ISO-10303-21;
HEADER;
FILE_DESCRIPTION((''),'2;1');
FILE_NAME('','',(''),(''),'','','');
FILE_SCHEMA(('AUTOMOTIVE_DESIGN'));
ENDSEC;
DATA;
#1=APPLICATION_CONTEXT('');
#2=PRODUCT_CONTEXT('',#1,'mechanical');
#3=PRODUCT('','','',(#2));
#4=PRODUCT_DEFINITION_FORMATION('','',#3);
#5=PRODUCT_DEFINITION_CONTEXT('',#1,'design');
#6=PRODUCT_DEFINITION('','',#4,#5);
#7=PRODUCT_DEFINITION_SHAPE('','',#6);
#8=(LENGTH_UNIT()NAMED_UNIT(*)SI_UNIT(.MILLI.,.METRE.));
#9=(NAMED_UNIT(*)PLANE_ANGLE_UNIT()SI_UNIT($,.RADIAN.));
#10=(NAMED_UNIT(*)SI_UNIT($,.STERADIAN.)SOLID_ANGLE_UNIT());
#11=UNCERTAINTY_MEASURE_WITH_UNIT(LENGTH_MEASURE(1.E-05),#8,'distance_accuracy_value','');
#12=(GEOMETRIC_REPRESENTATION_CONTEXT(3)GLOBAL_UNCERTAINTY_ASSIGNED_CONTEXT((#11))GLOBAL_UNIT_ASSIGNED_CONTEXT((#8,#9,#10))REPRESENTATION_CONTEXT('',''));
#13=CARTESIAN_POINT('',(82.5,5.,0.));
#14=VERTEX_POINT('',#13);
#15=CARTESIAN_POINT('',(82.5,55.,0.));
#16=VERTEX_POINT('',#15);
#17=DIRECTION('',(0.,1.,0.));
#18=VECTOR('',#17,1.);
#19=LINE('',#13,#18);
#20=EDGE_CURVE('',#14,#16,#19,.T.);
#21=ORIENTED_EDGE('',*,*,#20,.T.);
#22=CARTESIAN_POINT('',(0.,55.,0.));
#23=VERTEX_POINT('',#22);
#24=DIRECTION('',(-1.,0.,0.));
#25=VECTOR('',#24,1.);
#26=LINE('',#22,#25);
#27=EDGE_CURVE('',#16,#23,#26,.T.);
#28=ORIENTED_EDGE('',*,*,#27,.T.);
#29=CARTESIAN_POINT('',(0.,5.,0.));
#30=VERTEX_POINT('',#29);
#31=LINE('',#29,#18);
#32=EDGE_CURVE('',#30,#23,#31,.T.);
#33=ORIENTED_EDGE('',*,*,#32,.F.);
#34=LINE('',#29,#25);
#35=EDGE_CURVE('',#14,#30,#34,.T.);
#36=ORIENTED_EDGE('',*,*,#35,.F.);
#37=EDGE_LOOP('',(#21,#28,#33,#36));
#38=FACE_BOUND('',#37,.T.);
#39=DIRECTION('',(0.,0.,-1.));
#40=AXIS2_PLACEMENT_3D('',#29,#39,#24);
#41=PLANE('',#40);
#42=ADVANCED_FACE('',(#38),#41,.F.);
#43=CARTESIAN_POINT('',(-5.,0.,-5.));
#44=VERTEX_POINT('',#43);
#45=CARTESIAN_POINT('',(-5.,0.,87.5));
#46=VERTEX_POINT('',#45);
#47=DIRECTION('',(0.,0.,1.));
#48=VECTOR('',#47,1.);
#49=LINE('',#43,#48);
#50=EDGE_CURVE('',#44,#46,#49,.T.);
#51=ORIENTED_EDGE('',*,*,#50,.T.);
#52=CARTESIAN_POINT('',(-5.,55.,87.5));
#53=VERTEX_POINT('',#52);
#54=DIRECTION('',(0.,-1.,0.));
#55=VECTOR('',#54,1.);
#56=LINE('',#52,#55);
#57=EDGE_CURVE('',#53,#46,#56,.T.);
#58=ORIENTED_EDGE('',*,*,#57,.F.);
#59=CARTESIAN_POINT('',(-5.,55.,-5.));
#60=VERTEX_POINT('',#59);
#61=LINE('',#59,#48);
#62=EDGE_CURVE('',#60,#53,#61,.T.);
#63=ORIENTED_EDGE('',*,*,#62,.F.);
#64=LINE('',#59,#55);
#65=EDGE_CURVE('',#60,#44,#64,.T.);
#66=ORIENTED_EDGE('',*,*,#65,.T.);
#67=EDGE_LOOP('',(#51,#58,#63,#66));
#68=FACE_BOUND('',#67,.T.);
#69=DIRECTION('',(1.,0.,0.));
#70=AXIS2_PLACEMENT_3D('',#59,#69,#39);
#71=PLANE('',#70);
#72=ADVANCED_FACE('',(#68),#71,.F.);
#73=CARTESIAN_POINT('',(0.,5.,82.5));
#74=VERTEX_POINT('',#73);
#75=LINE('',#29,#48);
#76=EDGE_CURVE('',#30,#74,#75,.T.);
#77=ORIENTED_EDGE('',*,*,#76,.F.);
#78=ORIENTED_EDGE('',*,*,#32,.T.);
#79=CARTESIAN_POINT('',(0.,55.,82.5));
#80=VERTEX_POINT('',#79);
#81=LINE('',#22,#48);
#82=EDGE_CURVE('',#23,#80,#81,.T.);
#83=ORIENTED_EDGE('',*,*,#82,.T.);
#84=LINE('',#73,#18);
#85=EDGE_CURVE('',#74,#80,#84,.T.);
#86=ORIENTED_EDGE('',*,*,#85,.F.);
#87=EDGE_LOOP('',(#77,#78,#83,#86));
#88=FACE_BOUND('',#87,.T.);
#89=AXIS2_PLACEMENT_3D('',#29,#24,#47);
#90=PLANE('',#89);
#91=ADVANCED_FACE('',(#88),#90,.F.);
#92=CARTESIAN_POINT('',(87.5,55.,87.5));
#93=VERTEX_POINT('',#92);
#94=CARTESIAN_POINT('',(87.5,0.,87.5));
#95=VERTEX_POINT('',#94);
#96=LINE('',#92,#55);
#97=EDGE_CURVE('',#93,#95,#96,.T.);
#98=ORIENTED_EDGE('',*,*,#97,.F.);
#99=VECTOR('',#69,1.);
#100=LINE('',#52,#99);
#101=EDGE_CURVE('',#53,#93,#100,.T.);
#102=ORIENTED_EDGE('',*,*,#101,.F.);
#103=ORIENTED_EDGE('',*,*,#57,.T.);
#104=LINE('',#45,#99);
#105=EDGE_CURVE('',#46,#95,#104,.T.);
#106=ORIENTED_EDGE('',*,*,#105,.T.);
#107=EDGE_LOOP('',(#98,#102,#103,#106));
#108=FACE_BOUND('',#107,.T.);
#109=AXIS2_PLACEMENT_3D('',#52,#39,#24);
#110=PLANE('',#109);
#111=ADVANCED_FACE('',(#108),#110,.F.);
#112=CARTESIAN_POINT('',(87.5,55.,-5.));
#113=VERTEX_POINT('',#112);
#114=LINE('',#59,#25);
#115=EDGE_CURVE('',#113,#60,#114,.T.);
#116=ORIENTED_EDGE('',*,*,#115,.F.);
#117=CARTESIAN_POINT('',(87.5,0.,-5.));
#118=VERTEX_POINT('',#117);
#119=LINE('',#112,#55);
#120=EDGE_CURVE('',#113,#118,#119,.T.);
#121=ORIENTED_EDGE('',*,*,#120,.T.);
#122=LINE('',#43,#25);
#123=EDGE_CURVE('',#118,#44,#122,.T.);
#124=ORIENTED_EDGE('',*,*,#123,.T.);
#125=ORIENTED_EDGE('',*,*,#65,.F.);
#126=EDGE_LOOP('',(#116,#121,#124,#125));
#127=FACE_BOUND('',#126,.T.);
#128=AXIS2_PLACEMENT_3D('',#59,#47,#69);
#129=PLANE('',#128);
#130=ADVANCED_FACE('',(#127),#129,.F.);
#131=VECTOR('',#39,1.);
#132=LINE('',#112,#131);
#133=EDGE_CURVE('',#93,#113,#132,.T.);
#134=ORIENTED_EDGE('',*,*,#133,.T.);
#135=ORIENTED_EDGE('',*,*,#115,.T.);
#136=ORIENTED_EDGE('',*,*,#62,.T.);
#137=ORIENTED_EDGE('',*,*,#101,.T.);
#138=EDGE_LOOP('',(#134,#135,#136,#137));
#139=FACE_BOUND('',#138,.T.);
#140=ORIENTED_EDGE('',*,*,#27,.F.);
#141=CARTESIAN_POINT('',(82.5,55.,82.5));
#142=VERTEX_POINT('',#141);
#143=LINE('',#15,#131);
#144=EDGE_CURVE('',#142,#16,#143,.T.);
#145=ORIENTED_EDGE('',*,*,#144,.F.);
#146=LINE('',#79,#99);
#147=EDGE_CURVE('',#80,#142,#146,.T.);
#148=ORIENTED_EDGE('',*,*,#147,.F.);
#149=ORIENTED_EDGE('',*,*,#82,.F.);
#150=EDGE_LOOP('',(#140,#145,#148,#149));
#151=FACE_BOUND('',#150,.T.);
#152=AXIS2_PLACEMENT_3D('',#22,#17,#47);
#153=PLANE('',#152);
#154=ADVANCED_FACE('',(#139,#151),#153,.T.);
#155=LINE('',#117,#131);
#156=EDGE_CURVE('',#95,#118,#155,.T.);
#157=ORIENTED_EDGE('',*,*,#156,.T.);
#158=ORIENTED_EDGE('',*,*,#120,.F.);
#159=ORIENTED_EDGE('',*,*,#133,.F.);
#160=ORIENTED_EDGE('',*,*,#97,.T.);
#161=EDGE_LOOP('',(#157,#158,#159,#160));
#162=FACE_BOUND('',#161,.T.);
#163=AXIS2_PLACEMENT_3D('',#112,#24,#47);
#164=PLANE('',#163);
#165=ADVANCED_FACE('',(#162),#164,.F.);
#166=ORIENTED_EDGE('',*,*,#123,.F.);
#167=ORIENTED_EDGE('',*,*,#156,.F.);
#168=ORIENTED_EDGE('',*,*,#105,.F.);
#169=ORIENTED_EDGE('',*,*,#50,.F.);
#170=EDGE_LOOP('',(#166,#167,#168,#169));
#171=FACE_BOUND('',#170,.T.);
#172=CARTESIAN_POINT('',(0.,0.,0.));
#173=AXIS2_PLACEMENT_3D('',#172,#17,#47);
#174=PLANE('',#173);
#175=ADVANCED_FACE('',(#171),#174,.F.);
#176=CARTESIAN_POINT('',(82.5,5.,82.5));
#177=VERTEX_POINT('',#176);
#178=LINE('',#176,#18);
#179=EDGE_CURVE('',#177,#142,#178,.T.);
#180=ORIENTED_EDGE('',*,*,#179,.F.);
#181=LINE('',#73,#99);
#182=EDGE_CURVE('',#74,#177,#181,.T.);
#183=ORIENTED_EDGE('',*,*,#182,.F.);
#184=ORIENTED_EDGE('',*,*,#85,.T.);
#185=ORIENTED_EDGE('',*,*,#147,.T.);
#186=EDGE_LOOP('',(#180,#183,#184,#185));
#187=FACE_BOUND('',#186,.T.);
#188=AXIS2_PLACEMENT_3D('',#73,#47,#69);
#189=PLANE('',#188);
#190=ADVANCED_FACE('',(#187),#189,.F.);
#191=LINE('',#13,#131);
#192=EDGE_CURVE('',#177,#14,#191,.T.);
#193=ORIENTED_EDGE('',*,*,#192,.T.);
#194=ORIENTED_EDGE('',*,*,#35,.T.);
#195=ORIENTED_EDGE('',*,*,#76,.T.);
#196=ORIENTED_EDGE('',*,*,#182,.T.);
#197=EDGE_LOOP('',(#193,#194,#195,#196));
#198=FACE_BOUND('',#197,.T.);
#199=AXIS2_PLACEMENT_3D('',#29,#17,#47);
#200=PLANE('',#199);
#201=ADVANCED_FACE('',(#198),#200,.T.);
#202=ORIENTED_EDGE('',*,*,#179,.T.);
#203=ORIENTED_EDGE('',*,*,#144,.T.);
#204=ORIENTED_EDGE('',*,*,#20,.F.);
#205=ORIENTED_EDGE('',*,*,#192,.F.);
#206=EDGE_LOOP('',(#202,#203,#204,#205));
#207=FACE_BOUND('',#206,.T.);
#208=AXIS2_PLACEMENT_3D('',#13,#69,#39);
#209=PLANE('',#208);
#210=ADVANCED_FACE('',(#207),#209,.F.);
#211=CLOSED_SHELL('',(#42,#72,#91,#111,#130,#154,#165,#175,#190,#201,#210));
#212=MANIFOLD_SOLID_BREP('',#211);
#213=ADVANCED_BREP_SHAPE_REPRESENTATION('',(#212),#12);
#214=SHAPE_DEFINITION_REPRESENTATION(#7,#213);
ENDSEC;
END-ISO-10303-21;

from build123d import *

# Parameters (mm, degrees)
SKETCH2_W           = 92.5
SKETCH2_H           = 92.5
BOSS_EXTRUDE1_DEPTH = 55
SKETCH3_W           = 82.5
SKETCH3_H           = 82.5
CUT_EXTRUDE1_DEPTH  = 50


with BuildPart() as part:
    # Sketch2 → Boss-Extrude1 (new body)
    with BuildSketch(Plane(origin=(0, 0, 0), x_dir=(1, 0, 0), z_dir=(0, 1, 0))):
        with Locations((41.25, -41.25)):
            Rectangle(SKETCH2_W, SKETCH2_H)
    extrude(amount=BOSS_EXTRUDE1_DEPTH)

    # Sketch3 → Cut-Extrude1 (cut)
    with BuildSketch(Plane(origin=(0, 55, 0), x_dir=(1, 0, 0), z_dir=(0, 1, 0))):
        with Locations((41.25, -41.25)):
            Rectangle(SKETCH3_W, SKETCH3_H)
    extrude(amount=-CUT_EXTRUDE1_DEPTH, mode=Mode.SUBTRACT)


solid = part.part
